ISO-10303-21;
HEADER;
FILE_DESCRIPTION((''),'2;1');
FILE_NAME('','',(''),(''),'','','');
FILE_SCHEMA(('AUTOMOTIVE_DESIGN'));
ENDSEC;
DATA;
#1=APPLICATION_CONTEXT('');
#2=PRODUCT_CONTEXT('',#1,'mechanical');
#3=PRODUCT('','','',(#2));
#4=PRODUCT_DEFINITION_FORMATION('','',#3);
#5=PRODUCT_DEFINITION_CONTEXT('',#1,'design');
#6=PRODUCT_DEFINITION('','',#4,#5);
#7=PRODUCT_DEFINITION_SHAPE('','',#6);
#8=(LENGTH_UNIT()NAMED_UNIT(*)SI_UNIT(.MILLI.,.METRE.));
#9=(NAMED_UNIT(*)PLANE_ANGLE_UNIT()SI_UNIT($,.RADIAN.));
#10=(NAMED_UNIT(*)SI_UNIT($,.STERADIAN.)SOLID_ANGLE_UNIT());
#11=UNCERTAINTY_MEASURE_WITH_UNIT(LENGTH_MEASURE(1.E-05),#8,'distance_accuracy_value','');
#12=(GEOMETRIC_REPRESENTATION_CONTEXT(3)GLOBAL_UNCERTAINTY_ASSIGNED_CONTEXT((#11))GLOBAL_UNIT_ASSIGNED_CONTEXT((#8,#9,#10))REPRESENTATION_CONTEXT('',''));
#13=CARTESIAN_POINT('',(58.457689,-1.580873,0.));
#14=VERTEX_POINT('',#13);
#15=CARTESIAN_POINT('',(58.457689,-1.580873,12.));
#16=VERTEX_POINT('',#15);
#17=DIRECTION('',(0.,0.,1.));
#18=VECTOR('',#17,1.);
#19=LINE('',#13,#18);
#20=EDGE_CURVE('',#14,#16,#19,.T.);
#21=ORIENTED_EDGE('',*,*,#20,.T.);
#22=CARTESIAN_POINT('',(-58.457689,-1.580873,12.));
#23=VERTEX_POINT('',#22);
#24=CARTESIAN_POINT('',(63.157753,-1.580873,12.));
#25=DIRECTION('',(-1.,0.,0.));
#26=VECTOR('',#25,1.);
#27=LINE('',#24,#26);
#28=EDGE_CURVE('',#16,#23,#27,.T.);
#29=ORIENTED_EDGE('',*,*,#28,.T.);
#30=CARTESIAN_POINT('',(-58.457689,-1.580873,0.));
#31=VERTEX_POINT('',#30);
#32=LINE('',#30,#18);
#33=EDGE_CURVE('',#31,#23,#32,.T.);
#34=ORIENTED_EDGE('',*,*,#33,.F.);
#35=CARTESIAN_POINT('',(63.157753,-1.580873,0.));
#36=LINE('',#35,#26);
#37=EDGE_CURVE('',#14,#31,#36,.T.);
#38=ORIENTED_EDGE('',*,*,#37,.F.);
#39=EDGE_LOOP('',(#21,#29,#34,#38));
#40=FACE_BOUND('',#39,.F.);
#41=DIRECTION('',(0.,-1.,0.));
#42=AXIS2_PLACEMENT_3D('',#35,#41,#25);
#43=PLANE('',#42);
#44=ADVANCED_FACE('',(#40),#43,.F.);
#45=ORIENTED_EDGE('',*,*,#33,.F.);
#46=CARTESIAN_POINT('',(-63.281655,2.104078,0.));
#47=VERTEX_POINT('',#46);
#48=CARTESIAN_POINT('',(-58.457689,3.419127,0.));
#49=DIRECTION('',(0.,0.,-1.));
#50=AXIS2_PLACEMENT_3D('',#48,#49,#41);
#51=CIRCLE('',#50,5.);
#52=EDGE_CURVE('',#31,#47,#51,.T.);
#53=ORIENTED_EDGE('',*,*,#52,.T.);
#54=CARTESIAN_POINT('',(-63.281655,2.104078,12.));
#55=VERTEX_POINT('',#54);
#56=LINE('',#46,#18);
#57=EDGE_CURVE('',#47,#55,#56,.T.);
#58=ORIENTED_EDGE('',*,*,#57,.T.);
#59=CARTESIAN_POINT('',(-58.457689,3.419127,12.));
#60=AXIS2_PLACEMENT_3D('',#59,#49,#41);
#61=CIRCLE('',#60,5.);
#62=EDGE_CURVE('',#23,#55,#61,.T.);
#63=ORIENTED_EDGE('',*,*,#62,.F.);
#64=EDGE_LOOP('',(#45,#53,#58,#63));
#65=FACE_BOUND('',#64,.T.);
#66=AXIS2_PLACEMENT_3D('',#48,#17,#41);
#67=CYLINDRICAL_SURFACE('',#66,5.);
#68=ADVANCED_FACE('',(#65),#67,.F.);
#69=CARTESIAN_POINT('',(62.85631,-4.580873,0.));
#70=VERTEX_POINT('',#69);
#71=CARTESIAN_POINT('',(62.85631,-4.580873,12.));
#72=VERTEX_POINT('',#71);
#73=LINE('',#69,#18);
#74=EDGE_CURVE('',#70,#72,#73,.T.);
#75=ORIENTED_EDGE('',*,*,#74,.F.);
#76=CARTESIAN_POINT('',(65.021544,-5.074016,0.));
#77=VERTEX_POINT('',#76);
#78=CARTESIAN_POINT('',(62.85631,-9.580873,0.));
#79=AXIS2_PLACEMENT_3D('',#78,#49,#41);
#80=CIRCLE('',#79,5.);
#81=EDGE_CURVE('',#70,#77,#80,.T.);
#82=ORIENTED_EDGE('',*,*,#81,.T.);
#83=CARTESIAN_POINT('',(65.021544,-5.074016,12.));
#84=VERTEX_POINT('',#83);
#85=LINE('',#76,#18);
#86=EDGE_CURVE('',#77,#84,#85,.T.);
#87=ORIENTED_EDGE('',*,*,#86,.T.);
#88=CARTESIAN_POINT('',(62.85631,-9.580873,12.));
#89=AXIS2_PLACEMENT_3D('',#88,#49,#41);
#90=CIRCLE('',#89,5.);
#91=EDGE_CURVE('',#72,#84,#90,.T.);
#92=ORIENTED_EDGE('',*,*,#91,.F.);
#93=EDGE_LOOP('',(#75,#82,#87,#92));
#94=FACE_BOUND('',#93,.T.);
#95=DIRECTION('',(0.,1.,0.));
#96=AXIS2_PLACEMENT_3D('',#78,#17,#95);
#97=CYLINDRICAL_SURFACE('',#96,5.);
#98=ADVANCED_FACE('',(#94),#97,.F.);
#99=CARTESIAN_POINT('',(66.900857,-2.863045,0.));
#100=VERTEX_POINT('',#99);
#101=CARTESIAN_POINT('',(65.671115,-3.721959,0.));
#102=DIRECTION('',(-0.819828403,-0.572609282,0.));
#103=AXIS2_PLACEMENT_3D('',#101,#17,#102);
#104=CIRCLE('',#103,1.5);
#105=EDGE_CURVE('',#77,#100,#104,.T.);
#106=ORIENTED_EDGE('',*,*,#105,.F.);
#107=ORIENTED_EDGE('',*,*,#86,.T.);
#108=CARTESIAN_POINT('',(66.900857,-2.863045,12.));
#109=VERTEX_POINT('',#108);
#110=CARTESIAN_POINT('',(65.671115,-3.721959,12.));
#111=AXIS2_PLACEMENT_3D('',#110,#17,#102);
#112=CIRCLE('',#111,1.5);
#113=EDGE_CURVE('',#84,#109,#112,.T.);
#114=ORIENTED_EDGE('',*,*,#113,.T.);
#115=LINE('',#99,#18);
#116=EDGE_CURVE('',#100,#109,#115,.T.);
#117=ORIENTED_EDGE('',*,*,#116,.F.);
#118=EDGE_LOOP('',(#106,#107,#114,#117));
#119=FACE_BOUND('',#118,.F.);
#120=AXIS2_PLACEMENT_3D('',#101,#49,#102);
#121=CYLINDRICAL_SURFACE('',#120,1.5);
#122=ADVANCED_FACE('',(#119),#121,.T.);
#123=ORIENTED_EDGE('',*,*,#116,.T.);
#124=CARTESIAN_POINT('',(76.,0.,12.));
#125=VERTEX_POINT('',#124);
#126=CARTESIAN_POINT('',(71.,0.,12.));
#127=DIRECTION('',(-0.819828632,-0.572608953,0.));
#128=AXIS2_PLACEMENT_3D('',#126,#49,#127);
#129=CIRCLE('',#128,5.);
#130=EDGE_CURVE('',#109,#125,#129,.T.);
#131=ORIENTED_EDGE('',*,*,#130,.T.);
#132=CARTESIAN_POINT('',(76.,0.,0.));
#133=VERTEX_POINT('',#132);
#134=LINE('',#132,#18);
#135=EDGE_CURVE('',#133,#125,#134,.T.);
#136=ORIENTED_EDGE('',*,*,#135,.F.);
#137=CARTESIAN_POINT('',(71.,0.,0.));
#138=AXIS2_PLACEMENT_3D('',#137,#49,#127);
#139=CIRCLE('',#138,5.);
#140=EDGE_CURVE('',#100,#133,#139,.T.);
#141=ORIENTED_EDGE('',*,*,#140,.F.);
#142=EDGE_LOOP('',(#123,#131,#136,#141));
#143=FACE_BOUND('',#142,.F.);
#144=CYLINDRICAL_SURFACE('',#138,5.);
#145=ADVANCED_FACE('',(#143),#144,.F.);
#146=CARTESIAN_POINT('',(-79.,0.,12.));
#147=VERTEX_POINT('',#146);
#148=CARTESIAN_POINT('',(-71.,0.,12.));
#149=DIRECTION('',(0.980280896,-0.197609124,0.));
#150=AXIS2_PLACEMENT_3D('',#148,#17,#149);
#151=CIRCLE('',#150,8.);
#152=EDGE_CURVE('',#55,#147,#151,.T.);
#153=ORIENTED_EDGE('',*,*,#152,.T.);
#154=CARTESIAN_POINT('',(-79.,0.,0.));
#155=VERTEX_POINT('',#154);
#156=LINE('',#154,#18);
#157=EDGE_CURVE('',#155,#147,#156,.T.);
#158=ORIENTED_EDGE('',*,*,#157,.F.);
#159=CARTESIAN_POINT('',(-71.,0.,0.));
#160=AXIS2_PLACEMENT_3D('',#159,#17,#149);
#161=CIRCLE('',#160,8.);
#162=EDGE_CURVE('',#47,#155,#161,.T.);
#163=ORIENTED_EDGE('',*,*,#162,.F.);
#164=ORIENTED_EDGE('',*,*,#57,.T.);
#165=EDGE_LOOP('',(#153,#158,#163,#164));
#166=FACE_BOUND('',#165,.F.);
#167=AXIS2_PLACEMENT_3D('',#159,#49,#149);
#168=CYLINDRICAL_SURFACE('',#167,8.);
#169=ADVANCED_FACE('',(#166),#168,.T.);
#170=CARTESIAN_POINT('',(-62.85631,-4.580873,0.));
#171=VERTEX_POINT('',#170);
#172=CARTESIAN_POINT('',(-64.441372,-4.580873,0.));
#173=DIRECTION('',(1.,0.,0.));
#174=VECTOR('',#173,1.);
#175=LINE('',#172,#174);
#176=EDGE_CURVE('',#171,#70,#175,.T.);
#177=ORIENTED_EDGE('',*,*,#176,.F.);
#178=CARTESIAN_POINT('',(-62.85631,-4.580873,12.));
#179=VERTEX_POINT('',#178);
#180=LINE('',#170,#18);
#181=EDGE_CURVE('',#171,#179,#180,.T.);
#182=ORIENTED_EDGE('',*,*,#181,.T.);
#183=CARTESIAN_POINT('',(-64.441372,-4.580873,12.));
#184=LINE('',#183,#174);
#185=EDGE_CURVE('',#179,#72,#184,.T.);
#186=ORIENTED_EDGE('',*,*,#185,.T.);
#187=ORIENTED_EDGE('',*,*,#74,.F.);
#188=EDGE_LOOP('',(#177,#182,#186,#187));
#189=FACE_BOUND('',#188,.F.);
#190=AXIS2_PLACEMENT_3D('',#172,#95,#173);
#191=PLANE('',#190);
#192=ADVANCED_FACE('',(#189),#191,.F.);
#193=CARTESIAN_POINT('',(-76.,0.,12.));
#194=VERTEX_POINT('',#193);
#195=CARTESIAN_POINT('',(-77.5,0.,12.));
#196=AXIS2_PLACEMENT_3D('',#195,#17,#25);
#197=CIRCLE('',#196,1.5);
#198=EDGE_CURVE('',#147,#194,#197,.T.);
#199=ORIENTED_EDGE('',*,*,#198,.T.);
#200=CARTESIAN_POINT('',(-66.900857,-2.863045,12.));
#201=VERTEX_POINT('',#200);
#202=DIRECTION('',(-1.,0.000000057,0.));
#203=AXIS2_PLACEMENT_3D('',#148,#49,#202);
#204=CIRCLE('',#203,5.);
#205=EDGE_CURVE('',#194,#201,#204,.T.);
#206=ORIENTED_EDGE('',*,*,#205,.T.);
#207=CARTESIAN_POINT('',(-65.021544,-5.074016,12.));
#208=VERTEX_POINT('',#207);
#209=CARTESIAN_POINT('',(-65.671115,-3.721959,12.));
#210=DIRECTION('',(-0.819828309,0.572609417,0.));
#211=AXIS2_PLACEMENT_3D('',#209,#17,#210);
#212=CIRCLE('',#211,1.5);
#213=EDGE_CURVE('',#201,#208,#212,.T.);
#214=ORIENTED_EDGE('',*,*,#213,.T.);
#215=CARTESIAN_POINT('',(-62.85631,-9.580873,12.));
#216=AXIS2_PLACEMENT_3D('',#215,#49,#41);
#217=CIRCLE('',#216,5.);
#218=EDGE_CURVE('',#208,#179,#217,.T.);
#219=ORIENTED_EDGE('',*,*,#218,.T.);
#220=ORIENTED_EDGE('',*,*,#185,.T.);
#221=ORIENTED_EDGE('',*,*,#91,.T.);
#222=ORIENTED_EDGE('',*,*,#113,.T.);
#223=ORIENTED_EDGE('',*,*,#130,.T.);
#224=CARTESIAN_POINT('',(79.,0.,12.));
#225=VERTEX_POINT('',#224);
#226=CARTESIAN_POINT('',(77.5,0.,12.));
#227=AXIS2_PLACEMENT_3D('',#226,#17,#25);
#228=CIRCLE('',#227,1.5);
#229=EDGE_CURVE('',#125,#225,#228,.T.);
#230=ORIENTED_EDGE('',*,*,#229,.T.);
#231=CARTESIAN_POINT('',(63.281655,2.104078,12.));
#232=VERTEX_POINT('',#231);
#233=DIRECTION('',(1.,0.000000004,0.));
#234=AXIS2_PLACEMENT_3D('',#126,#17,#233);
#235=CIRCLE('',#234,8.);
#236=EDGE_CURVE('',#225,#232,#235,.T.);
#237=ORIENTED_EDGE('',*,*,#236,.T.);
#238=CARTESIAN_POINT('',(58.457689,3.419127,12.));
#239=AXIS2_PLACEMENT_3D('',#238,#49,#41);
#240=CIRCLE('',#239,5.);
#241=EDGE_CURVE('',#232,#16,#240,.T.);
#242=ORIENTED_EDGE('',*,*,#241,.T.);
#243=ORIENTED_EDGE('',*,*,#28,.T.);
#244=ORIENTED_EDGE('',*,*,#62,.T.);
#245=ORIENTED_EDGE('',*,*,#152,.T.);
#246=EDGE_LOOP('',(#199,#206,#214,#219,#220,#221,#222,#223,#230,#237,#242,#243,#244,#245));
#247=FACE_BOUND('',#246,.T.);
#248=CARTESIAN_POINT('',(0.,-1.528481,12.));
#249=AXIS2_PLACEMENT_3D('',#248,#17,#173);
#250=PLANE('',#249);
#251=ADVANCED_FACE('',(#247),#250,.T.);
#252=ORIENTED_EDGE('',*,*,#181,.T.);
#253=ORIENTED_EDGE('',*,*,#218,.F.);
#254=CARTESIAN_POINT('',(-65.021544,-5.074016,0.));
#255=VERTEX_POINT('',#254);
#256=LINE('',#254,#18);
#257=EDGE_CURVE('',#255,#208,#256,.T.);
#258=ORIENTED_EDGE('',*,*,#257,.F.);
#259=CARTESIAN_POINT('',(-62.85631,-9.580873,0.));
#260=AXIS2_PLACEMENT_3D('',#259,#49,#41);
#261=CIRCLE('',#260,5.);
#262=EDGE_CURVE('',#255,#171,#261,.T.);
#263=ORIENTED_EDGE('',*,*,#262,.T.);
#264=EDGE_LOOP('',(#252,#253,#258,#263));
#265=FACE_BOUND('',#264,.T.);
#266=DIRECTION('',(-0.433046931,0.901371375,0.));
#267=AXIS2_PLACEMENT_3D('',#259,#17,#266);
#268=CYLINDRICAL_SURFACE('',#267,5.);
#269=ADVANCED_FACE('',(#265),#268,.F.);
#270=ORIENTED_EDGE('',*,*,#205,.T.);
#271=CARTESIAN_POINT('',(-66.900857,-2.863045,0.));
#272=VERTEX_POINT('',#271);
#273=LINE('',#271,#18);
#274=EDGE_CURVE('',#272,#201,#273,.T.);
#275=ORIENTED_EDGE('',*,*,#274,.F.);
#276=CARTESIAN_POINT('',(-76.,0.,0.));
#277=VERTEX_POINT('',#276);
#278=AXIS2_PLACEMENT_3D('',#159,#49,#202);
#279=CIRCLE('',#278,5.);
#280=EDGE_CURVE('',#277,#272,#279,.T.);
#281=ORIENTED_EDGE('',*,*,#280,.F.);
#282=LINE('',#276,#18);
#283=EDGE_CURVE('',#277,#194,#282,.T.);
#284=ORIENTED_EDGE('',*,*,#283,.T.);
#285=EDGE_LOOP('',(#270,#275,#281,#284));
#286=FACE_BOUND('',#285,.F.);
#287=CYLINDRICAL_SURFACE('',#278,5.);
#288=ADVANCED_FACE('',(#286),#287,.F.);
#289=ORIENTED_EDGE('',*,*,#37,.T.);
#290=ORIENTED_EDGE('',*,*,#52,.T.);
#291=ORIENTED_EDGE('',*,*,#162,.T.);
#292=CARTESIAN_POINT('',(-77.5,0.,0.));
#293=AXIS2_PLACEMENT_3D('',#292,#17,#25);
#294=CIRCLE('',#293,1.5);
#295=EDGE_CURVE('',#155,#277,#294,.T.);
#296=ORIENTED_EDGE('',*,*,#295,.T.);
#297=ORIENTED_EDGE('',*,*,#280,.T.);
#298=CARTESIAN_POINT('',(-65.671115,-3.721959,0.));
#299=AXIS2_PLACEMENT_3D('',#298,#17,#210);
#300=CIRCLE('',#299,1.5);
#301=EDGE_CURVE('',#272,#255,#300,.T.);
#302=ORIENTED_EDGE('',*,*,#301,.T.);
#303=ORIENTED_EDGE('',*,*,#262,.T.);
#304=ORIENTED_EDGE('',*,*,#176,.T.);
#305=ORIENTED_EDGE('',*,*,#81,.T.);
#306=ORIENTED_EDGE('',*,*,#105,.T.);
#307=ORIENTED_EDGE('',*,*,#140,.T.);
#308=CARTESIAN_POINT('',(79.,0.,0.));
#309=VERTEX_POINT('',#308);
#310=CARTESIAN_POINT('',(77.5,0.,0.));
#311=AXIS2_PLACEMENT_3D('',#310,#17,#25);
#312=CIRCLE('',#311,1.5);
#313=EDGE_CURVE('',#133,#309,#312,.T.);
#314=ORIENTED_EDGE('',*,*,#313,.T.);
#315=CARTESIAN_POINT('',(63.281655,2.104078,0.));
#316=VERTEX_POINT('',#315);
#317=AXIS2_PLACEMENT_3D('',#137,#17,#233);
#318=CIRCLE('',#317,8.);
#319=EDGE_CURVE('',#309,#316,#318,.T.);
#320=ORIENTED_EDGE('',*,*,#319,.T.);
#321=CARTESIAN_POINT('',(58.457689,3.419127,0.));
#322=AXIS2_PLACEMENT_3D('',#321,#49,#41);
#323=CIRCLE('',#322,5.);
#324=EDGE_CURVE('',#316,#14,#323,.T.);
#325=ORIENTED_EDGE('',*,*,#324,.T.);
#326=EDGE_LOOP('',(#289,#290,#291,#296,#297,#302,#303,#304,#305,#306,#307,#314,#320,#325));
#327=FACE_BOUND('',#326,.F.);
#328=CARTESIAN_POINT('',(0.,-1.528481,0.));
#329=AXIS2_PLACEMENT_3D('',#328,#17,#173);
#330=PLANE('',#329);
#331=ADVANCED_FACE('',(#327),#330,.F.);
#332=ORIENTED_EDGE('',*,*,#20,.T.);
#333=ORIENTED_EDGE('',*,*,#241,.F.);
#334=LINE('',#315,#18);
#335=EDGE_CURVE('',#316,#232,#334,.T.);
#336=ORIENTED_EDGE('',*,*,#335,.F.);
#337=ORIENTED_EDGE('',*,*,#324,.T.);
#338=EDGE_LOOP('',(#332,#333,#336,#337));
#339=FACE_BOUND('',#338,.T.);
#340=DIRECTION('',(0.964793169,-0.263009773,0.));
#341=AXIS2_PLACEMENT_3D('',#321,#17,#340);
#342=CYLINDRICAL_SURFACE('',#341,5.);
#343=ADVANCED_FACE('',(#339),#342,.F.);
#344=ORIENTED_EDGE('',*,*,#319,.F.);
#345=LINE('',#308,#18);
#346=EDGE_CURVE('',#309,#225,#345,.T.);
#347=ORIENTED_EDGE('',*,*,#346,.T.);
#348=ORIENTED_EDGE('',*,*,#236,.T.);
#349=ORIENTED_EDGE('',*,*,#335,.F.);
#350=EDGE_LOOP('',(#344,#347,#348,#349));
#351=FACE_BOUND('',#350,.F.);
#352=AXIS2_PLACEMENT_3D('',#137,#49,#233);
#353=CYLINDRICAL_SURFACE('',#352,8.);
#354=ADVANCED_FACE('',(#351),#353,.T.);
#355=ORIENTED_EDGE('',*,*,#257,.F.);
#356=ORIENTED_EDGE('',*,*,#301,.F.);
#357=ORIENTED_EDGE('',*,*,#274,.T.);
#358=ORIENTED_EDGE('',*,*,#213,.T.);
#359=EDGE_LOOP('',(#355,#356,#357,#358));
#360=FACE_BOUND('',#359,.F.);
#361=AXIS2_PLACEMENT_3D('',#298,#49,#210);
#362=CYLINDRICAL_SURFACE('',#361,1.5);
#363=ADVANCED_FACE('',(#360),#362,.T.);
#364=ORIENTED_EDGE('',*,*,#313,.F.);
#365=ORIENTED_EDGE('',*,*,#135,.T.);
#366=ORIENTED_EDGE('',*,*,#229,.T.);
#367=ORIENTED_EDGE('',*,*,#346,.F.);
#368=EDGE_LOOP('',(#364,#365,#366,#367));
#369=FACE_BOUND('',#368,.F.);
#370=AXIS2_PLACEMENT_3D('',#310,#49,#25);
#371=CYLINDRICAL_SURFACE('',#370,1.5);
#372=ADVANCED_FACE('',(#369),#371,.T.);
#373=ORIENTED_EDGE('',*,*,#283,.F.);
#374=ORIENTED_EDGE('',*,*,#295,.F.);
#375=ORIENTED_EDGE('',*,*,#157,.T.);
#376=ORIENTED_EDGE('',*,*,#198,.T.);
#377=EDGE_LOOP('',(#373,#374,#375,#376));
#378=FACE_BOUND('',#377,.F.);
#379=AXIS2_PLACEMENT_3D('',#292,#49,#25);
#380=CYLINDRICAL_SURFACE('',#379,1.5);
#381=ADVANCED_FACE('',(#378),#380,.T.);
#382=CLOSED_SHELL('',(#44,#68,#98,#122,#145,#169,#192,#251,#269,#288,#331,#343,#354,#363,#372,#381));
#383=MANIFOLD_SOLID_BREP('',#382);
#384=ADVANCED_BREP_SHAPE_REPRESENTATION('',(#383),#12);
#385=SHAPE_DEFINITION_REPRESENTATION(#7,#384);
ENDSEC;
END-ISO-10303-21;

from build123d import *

# Parameters (mm, degrees)
F1_DEPTH = 12
F2_R     = 5


with BuildPart() as f1:
    # F0 (on Top) → F1 (new body)
    with BuildSketch(Plane.XY):
        with BuildLine():
            ThreePointArc((-76, 0), (-69.499286, 4.769471), (-66.900857, -2.863045))
            ThreePointArc((-66.900857, -2.863045), (-66.530028, -4.951702), (-64.441372, -4.580873))
            Line((-64.441372, -4.580873), (64.441372, -4.580873))
            ThreePointArc((64.441372, -4.580873), (66.530028, -4.951702), (66.900857, -2.863045))
            ThreePointArc((66.900857, -2.863045), (69.499286, 4.769471), (76, 0))
            ThreePointArc((76, 0), (77.5, -1.5), (79, 0))
            ThreePointArc((79, 0), (70.205638, 7.960464), (63.157753, -1.580873))
            Line((63.157753, -1.580873), (-63.157753, -1.580873))
            ThreePointArc((-63.157753, -1.580873), (-70.205638, 7.960464), (-79, 0))
            ThreePointArc((-79, 0), (-77.5, -1.5), (-76, 0))
        make_face()
    extrude(amount=F1_DEPTH)

    # F2
    f2_edges = [f1.edges().sort_by_distance(p)[0] for p in [
        (-63.157753, -1.580873, 6),
        (63.157753, -1.580873, 6),
        (64.441372, -4.580873, 6),
        (-64.441372, -4.580873, 6),
    ]]
    fillet(f2_edges, radius=F2_R)


solid = f1.part
